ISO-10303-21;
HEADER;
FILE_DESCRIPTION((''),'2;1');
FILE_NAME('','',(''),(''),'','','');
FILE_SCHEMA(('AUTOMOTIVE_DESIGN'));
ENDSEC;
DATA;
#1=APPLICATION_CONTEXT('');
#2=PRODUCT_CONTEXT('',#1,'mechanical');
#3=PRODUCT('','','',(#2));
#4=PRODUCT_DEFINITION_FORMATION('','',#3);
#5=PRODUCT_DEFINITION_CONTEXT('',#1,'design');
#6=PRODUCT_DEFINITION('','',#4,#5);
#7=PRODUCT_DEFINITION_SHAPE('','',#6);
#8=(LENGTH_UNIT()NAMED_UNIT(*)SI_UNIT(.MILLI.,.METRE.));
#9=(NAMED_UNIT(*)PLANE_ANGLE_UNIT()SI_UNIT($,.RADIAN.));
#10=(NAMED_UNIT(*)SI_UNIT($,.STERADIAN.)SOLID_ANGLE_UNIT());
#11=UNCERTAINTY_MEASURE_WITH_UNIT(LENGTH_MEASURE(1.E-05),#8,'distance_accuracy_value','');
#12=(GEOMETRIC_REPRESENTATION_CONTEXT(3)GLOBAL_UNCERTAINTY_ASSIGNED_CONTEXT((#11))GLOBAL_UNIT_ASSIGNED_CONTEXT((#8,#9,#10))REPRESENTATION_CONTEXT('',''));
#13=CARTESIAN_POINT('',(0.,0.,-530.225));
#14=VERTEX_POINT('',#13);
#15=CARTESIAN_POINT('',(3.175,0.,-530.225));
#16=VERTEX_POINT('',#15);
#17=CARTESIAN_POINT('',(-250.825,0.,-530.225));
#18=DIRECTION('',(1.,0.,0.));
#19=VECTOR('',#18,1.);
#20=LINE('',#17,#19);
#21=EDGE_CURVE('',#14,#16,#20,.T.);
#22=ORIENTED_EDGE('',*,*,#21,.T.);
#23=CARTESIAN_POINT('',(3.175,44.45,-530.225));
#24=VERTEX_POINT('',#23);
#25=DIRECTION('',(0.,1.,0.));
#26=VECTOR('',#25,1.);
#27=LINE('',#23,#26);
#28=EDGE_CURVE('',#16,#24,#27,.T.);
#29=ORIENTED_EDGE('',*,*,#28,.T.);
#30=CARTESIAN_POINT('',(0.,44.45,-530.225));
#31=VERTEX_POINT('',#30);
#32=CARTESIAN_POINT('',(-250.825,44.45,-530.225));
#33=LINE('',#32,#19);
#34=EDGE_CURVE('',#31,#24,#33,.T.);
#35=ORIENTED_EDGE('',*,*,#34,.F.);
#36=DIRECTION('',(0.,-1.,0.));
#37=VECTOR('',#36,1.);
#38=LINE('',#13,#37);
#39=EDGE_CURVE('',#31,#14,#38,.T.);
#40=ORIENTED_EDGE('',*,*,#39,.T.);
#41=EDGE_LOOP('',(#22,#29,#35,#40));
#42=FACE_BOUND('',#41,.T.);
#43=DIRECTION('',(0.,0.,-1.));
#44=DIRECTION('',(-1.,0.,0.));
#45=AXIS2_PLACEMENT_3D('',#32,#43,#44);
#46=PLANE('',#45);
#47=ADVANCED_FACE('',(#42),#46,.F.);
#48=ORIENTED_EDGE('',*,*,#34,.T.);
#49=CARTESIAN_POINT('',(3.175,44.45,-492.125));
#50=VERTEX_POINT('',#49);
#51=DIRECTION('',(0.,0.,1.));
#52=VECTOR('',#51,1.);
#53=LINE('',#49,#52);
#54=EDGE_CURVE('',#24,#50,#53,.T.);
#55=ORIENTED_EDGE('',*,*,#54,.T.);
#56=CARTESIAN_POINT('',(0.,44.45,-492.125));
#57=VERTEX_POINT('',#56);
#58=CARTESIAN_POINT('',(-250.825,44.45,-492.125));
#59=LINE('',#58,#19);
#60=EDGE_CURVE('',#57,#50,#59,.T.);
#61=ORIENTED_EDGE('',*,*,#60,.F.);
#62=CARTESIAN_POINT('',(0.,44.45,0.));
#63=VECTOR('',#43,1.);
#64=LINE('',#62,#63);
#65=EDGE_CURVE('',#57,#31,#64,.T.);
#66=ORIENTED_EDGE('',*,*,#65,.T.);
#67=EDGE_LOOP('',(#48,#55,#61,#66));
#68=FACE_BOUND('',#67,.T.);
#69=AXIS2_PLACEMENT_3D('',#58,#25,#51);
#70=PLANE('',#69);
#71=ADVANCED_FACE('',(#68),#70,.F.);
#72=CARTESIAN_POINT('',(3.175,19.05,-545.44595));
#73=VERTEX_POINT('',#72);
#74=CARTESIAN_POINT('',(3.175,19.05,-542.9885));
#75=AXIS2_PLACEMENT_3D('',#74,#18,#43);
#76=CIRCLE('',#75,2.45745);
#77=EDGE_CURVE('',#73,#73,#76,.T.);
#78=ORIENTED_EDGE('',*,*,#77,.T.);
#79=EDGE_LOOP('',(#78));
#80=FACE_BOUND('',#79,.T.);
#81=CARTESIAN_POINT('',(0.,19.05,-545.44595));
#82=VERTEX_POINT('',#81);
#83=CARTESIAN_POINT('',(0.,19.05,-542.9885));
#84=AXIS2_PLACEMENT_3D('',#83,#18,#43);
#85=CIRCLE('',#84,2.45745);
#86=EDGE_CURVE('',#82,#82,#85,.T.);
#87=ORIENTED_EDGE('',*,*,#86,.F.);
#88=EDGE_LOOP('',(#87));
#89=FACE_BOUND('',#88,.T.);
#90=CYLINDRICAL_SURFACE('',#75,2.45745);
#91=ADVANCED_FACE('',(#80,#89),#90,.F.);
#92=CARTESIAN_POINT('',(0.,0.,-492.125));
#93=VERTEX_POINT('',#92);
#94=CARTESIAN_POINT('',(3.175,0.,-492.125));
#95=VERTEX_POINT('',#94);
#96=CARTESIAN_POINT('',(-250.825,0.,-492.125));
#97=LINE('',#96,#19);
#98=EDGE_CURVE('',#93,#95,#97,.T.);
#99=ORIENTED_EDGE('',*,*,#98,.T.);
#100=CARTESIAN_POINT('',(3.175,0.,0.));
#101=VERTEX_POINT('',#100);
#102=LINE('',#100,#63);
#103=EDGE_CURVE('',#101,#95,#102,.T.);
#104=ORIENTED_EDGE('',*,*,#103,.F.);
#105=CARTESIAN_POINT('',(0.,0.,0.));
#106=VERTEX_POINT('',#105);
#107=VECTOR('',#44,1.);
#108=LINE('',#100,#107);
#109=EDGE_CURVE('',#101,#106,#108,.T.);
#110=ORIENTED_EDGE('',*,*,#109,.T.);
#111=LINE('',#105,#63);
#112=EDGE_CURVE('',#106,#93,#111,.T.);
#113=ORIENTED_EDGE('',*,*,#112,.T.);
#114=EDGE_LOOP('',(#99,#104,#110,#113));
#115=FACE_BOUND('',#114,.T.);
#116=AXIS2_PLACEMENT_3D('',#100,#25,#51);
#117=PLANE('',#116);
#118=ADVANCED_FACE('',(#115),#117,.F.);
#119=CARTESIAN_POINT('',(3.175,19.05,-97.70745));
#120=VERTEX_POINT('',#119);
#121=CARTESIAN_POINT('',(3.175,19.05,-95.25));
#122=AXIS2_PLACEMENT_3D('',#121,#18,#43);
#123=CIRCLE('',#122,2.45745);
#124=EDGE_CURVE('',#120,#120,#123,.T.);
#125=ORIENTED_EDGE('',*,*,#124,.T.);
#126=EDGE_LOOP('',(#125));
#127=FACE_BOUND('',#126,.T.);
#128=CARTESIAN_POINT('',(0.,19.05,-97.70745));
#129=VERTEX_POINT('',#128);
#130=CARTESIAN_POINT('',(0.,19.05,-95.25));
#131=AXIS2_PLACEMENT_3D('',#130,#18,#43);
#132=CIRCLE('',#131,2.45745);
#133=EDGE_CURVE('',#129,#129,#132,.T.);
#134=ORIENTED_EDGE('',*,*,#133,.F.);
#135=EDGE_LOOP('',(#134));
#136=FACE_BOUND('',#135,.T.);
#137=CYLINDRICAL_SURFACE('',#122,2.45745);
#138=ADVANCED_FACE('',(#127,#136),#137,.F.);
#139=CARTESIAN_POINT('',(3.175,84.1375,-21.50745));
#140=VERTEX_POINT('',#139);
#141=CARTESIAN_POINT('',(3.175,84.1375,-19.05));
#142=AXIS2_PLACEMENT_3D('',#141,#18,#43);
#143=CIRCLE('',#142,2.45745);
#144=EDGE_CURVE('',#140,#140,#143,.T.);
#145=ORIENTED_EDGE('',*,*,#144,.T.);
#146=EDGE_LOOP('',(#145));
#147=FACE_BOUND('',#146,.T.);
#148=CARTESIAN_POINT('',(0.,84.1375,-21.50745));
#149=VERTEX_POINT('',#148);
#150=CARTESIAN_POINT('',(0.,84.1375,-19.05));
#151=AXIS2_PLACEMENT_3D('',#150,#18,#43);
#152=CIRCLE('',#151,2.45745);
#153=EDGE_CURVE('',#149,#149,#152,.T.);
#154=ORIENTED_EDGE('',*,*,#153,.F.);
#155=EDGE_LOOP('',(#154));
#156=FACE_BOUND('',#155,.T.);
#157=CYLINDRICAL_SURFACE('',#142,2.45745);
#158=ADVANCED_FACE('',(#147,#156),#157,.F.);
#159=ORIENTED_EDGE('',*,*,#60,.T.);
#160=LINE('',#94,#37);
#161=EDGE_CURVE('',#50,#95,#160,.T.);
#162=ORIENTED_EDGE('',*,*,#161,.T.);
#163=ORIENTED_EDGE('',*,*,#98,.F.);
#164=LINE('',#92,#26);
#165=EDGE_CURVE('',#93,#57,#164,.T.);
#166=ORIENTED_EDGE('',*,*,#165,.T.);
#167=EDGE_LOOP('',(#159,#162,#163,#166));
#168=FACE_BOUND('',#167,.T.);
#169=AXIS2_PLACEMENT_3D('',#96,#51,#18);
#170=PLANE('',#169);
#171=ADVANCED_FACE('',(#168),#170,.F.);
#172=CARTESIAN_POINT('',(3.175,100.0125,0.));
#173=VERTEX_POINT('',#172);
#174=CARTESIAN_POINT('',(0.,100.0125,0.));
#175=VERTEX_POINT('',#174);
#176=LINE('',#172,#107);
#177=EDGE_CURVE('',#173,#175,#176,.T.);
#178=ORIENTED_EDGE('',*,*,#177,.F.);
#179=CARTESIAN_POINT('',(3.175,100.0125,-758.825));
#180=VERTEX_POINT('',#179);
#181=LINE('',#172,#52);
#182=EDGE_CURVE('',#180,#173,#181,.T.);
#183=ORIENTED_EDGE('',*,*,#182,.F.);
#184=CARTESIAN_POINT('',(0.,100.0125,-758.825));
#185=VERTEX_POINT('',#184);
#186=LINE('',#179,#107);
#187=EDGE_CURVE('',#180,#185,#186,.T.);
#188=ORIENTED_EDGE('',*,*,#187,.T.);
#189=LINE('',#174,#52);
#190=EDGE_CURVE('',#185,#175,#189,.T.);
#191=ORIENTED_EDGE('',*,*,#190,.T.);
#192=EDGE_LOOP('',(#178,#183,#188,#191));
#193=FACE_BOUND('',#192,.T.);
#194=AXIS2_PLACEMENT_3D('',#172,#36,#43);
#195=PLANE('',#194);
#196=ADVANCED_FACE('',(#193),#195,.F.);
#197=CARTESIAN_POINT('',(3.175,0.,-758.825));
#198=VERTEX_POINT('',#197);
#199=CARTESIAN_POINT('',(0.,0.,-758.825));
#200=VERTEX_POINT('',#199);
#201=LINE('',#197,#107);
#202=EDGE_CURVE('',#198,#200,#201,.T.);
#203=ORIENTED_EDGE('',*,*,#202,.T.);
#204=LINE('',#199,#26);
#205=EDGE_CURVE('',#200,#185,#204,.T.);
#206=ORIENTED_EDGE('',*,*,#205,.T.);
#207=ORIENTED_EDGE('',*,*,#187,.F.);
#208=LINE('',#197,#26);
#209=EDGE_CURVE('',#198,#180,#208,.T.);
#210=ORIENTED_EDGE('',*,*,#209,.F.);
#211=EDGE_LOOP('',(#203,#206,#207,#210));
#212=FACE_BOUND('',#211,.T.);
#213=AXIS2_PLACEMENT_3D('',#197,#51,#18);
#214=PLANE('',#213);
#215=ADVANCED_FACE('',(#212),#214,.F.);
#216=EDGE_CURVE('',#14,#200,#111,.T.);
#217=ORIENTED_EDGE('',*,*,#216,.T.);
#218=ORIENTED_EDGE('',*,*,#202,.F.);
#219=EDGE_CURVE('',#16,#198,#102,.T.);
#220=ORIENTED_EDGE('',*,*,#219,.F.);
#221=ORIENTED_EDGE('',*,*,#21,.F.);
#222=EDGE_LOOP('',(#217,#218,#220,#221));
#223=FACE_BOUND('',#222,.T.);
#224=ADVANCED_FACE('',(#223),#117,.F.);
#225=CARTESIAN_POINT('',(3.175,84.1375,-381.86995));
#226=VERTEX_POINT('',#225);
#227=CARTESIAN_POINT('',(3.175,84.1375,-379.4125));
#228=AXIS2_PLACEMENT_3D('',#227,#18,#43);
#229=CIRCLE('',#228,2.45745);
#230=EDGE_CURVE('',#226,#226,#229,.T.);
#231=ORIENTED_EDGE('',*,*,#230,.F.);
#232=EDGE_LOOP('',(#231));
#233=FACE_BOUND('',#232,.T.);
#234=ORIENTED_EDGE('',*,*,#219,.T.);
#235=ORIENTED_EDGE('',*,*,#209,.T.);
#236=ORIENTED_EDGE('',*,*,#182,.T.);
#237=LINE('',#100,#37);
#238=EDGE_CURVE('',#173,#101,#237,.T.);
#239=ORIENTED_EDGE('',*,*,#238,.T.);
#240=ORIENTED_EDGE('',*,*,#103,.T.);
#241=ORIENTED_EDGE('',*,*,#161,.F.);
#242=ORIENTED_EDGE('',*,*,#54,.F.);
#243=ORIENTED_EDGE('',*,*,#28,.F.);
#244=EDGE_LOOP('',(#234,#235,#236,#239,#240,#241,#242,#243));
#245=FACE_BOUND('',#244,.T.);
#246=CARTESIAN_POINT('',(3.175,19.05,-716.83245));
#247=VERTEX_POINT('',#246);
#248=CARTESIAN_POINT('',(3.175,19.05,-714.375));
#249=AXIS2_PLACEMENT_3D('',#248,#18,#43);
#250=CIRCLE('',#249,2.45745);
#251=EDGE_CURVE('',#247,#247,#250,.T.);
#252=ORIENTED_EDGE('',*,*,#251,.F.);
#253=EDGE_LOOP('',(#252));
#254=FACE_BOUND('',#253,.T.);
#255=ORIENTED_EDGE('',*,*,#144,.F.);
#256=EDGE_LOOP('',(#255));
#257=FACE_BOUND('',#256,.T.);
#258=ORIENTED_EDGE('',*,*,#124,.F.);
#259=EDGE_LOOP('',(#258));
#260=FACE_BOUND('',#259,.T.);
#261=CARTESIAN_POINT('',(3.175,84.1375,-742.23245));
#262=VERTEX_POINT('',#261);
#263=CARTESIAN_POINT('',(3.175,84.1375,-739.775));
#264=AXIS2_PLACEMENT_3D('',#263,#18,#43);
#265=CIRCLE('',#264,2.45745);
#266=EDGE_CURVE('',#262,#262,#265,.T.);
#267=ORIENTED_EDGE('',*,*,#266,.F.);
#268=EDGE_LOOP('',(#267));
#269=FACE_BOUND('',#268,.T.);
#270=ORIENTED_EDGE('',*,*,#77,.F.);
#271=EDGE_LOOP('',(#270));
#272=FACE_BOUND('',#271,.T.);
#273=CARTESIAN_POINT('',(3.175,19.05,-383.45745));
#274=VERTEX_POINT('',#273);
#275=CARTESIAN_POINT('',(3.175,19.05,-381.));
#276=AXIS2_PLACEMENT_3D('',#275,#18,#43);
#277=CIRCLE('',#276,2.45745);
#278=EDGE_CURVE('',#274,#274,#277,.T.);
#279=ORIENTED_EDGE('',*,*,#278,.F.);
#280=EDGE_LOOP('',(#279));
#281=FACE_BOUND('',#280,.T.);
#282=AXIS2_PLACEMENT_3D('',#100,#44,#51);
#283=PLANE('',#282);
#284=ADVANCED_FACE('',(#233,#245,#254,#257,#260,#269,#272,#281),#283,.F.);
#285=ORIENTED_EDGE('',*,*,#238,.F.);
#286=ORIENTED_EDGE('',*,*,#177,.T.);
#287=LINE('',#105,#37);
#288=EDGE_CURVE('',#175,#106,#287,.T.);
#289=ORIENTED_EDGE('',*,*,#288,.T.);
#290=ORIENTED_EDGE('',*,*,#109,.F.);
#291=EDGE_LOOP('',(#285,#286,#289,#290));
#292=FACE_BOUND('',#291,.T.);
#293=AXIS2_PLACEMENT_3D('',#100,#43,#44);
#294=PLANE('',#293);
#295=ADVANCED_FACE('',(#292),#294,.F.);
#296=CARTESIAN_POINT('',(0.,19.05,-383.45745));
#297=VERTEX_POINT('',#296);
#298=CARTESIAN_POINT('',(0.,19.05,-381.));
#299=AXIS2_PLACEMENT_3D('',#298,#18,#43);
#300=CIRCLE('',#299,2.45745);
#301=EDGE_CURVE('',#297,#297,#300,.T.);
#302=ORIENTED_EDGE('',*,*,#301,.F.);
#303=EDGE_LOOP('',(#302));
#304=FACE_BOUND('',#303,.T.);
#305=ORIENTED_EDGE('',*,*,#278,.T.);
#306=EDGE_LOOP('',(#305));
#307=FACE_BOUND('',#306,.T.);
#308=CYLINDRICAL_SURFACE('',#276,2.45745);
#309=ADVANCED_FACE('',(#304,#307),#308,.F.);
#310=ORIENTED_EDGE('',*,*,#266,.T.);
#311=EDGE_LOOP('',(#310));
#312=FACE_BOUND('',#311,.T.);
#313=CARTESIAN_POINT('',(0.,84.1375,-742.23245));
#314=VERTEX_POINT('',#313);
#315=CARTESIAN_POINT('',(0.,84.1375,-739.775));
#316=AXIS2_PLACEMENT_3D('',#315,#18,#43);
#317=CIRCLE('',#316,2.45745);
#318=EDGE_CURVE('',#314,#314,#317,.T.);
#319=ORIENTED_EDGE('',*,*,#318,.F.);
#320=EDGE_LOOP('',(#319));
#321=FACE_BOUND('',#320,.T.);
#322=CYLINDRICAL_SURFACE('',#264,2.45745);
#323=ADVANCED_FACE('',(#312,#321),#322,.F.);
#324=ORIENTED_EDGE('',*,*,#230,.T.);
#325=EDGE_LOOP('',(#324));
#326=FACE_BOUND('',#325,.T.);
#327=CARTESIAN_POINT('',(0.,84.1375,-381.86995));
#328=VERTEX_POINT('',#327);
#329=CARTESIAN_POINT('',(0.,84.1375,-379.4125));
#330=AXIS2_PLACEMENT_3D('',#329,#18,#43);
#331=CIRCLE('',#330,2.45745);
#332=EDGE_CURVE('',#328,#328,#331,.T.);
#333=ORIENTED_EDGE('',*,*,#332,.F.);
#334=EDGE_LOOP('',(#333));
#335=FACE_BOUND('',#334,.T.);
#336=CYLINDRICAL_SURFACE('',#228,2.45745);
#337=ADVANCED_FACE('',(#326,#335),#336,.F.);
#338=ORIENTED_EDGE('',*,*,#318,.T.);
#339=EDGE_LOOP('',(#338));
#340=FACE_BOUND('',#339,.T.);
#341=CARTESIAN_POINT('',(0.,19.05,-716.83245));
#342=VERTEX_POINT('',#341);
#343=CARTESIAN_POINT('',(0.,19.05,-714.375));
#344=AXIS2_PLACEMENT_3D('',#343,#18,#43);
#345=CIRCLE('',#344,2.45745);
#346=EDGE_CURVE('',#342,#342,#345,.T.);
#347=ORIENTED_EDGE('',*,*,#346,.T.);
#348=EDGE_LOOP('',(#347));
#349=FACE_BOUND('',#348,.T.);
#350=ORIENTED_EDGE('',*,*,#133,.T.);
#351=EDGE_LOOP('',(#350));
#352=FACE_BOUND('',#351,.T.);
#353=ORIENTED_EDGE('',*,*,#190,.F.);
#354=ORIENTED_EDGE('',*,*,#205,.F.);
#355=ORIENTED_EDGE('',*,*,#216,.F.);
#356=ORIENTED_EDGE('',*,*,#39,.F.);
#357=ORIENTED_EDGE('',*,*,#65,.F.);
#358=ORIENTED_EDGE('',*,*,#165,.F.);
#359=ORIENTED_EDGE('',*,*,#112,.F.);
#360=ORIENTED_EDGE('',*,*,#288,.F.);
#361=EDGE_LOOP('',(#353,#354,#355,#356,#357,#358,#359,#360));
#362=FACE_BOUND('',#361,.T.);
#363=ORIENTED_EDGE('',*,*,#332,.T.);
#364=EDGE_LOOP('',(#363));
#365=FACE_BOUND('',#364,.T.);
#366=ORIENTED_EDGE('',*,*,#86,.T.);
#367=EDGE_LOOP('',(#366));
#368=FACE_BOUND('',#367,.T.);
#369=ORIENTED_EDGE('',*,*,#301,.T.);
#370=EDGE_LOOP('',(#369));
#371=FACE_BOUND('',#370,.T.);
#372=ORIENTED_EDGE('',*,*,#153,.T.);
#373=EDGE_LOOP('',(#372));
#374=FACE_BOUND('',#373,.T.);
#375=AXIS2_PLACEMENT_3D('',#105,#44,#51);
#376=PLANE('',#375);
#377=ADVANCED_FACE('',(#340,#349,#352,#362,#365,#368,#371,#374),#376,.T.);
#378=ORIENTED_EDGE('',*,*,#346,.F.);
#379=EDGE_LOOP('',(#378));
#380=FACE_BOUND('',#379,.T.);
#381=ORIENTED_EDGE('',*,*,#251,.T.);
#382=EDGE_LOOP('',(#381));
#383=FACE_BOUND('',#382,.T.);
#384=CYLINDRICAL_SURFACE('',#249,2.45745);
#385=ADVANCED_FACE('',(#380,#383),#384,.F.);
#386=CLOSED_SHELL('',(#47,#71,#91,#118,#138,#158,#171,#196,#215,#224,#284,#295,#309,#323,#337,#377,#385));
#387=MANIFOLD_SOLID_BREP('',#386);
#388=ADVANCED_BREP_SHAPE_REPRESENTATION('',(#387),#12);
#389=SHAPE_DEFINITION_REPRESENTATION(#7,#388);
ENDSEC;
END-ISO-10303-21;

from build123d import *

# Parameters (mm, degrees)
SKETCH2_W                    = 758.825
SKETCH2_H                    = 100.0125
BOSS_EXTRUDE1_DEPTH          = 3.175
F_10_0_1935_DIAMETER_HOLE2_D = 4.9149
SKETCH7_W                    = 38.1
SKETCH7_H                    = 44.45
CUT_EXTRUDE3_DEPTH           = 254


with BuildPart() as part:
    # Sketch2 → Boss-Extrude1 (new body)
    with BuildSketch(Plane(origin=(0, 0, 0), x_dir=(0, 0, -1), z_dir=(1, 0, 0))):
        with Locations((379.4125, 50.00625)):
            Rectangle(SKETCH2_W, SKETCH2_H)
    extrude(amount=BOSS_EXTRUDE1_DEPTH)

    # #10 (0.1935) Diameter Hole2 (through all)
    with Locations(Plane(origin=(3.175, 0, 0), x_dir=(0, 0, -1), z_dir=(1, 0, 0))):
        with Locations((19.05, 84.1375), (379.4125, 84.1375), (739.775, 84.1375), (95.25, 19.05), (381, 19.05), (542.9885, 19.05), (714.375, 19.05)):
            Hole(F_10_0_1935_DIAMETER_HOLE2_D / 2)

    # Sketch7 → Cut-Extrude3 (cut)
    with BuildSketch(Plane(origin=(3.175, 0, 0), x_dir=(0, 0, -1), z_dir=(1, 0, 0))):
        with Locations((511.175, 22.225)):
            Rectangle(SKETCH7_W, SKETCH7_H)
    extrude(amount=-CUT_EXTRUDE3_DEPTH, mode=Mode.SUBTRACT)


solid = part.part
